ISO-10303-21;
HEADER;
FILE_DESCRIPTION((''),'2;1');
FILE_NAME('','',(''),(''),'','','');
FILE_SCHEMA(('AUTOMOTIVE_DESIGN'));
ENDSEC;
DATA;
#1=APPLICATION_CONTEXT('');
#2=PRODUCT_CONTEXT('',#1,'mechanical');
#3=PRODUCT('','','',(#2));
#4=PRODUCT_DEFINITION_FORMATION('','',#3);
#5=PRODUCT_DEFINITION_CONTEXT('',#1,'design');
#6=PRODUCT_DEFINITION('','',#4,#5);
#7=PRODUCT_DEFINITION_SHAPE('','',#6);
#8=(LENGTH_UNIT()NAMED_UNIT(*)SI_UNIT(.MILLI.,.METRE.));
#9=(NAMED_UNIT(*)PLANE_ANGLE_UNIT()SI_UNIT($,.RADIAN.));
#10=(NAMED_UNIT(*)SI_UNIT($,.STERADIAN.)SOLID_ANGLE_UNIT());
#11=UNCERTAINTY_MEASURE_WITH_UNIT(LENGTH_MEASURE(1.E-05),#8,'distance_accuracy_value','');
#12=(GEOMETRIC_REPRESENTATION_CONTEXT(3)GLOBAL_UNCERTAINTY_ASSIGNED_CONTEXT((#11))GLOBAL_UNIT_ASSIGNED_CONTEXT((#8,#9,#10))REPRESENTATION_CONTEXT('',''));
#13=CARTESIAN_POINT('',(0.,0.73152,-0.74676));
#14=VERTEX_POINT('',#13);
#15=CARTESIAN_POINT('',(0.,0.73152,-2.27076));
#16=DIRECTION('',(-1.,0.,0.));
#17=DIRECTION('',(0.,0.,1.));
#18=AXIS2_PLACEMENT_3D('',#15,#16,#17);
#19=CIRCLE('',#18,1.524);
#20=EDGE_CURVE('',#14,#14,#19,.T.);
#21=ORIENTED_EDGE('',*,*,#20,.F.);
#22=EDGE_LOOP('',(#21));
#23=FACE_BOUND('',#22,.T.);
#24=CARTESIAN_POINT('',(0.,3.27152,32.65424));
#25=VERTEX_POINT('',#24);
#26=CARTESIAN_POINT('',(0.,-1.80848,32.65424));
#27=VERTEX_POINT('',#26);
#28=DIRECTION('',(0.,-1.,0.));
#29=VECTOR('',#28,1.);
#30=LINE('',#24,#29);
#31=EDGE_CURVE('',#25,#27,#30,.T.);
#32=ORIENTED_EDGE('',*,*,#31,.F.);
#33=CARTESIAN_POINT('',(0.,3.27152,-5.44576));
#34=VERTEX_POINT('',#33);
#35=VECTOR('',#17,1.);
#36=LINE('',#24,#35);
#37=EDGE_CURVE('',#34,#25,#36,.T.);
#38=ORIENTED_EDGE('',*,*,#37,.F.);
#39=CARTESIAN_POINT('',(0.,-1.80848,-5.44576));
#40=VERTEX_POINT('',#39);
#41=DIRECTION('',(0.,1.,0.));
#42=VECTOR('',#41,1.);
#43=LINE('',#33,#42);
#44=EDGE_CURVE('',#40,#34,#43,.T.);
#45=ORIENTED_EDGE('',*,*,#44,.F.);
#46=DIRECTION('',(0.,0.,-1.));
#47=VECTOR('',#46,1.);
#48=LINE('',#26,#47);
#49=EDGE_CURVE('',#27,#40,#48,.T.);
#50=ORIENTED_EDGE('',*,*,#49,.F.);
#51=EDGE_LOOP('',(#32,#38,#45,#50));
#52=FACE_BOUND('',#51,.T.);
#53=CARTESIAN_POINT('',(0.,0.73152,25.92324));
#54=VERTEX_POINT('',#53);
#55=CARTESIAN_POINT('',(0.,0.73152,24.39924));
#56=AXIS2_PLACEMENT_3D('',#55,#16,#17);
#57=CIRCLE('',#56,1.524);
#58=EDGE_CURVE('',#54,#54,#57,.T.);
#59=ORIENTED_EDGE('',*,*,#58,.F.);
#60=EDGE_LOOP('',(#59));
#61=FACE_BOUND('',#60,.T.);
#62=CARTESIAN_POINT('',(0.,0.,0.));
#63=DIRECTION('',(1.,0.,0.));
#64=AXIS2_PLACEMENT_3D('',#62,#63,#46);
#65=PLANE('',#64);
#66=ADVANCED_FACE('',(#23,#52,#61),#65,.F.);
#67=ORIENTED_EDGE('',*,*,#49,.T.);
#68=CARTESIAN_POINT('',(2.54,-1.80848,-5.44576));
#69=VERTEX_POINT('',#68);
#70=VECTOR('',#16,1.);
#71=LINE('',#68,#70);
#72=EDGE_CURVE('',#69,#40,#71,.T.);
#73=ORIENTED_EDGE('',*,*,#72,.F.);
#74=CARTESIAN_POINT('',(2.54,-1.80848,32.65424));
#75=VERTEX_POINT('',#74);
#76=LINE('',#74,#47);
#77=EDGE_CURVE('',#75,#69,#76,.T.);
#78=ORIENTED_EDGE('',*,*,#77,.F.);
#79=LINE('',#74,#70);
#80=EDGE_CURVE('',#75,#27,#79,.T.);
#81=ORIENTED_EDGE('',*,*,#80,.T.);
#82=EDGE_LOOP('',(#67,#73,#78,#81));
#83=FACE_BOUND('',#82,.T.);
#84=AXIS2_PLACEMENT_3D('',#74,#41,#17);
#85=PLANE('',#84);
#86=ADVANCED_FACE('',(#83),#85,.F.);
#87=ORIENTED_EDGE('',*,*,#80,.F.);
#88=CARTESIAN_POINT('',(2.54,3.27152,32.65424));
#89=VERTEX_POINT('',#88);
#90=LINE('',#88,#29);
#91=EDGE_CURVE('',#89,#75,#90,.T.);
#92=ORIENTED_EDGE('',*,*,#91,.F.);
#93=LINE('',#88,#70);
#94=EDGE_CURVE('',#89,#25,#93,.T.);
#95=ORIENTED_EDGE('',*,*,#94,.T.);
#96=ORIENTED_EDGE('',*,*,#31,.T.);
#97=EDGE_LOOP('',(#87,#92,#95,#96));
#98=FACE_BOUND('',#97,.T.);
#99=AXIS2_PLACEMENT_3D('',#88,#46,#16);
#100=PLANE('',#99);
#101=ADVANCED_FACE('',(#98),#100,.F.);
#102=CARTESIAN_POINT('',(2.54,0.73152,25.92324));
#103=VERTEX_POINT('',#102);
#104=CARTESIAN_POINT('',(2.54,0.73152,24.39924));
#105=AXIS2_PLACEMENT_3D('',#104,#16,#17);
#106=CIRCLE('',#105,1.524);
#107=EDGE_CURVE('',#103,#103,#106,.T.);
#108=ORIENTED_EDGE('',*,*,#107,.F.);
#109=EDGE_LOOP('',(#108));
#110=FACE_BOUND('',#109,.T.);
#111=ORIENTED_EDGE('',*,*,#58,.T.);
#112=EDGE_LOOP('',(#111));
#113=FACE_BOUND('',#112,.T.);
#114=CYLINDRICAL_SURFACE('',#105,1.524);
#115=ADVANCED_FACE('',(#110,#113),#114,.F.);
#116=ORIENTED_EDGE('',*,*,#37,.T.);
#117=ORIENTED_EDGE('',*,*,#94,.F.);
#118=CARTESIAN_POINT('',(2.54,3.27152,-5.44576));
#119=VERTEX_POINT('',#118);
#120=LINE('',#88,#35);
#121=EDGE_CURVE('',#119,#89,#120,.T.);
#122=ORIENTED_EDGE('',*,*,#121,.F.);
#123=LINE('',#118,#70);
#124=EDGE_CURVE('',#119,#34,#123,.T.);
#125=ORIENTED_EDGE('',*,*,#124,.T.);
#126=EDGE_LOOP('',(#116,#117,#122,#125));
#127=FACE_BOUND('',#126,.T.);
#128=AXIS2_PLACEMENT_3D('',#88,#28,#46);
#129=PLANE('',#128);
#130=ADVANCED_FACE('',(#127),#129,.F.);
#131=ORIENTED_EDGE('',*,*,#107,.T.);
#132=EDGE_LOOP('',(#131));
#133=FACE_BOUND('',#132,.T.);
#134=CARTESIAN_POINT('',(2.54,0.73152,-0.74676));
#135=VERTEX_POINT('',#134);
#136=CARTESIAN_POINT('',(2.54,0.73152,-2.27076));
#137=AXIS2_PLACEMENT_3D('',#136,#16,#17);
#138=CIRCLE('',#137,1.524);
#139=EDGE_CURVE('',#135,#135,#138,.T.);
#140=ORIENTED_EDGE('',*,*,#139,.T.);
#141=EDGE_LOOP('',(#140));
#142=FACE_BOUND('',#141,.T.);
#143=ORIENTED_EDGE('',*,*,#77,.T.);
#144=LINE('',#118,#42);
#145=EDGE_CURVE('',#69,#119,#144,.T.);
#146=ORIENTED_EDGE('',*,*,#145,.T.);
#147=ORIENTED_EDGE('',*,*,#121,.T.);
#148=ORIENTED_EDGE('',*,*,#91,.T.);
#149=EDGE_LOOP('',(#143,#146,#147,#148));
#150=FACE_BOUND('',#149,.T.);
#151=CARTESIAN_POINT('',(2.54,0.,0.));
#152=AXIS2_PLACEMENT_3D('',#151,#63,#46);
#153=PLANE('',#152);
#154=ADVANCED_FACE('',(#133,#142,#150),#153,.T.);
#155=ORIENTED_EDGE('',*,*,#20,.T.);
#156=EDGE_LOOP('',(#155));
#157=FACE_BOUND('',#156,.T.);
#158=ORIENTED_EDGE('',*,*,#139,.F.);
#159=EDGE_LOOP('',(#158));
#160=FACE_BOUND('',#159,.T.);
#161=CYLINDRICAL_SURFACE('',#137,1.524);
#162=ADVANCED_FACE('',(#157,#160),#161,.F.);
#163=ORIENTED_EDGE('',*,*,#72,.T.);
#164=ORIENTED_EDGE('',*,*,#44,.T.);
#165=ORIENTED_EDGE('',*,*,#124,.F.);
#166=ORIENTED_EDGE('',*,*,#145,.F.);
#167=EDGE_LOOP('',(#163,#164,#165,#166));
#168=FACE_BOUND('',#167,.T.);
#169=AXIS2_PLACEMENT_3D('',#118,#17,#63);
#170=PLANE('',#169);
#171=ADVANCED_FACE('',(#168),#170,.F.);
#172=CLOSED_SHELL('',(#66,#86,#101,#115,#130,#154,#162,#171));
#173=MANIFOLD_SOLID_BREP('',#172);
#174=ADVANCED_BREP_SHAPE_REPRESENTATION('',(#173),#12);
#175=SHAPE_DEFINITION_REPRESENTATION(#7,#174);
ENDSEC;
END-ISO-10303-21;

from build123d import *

# Parameters (mm, degrees)
SKETCH1_W           = 38.1
SKETCH1_H           = 5.08
BOSS_EXTRUDE1_DEPTH = 2.54
SKETCH2_R           = 1.524
CUT_EXTRUDE1_DEPTH  = 33.915859902


with BuildPart() as part:
    # Sketch1 → Boss-Extrude1 (new body)
    with BuildSketch(Plane(origin=(0, 0, 0), x_dir=(0, 0, -1), z_dir=(1, 0, 0))):
        with Locations((-13.60424, 0.73152)):
            Rectangle(SKETCH1_W, SKETCH1_H)
    extrude(amount=BOSS_EXTRUDE1_DEPTH)

    # Sketch2 → Cut-Extrude1 (cut, through all)
    with BuildSketch(Plane.ZY):
        with Locations((24.39924, 0.73152)):
            Circle(SKETCH2_R)
        with Locations((-2.27076, 0.73152)):
            Circle(SKETCH2_R)
    extrude(amount=-CUT_EXTRUDE1_DEPTH, mode=Mode.SUBTRACT)


solid = part.part
